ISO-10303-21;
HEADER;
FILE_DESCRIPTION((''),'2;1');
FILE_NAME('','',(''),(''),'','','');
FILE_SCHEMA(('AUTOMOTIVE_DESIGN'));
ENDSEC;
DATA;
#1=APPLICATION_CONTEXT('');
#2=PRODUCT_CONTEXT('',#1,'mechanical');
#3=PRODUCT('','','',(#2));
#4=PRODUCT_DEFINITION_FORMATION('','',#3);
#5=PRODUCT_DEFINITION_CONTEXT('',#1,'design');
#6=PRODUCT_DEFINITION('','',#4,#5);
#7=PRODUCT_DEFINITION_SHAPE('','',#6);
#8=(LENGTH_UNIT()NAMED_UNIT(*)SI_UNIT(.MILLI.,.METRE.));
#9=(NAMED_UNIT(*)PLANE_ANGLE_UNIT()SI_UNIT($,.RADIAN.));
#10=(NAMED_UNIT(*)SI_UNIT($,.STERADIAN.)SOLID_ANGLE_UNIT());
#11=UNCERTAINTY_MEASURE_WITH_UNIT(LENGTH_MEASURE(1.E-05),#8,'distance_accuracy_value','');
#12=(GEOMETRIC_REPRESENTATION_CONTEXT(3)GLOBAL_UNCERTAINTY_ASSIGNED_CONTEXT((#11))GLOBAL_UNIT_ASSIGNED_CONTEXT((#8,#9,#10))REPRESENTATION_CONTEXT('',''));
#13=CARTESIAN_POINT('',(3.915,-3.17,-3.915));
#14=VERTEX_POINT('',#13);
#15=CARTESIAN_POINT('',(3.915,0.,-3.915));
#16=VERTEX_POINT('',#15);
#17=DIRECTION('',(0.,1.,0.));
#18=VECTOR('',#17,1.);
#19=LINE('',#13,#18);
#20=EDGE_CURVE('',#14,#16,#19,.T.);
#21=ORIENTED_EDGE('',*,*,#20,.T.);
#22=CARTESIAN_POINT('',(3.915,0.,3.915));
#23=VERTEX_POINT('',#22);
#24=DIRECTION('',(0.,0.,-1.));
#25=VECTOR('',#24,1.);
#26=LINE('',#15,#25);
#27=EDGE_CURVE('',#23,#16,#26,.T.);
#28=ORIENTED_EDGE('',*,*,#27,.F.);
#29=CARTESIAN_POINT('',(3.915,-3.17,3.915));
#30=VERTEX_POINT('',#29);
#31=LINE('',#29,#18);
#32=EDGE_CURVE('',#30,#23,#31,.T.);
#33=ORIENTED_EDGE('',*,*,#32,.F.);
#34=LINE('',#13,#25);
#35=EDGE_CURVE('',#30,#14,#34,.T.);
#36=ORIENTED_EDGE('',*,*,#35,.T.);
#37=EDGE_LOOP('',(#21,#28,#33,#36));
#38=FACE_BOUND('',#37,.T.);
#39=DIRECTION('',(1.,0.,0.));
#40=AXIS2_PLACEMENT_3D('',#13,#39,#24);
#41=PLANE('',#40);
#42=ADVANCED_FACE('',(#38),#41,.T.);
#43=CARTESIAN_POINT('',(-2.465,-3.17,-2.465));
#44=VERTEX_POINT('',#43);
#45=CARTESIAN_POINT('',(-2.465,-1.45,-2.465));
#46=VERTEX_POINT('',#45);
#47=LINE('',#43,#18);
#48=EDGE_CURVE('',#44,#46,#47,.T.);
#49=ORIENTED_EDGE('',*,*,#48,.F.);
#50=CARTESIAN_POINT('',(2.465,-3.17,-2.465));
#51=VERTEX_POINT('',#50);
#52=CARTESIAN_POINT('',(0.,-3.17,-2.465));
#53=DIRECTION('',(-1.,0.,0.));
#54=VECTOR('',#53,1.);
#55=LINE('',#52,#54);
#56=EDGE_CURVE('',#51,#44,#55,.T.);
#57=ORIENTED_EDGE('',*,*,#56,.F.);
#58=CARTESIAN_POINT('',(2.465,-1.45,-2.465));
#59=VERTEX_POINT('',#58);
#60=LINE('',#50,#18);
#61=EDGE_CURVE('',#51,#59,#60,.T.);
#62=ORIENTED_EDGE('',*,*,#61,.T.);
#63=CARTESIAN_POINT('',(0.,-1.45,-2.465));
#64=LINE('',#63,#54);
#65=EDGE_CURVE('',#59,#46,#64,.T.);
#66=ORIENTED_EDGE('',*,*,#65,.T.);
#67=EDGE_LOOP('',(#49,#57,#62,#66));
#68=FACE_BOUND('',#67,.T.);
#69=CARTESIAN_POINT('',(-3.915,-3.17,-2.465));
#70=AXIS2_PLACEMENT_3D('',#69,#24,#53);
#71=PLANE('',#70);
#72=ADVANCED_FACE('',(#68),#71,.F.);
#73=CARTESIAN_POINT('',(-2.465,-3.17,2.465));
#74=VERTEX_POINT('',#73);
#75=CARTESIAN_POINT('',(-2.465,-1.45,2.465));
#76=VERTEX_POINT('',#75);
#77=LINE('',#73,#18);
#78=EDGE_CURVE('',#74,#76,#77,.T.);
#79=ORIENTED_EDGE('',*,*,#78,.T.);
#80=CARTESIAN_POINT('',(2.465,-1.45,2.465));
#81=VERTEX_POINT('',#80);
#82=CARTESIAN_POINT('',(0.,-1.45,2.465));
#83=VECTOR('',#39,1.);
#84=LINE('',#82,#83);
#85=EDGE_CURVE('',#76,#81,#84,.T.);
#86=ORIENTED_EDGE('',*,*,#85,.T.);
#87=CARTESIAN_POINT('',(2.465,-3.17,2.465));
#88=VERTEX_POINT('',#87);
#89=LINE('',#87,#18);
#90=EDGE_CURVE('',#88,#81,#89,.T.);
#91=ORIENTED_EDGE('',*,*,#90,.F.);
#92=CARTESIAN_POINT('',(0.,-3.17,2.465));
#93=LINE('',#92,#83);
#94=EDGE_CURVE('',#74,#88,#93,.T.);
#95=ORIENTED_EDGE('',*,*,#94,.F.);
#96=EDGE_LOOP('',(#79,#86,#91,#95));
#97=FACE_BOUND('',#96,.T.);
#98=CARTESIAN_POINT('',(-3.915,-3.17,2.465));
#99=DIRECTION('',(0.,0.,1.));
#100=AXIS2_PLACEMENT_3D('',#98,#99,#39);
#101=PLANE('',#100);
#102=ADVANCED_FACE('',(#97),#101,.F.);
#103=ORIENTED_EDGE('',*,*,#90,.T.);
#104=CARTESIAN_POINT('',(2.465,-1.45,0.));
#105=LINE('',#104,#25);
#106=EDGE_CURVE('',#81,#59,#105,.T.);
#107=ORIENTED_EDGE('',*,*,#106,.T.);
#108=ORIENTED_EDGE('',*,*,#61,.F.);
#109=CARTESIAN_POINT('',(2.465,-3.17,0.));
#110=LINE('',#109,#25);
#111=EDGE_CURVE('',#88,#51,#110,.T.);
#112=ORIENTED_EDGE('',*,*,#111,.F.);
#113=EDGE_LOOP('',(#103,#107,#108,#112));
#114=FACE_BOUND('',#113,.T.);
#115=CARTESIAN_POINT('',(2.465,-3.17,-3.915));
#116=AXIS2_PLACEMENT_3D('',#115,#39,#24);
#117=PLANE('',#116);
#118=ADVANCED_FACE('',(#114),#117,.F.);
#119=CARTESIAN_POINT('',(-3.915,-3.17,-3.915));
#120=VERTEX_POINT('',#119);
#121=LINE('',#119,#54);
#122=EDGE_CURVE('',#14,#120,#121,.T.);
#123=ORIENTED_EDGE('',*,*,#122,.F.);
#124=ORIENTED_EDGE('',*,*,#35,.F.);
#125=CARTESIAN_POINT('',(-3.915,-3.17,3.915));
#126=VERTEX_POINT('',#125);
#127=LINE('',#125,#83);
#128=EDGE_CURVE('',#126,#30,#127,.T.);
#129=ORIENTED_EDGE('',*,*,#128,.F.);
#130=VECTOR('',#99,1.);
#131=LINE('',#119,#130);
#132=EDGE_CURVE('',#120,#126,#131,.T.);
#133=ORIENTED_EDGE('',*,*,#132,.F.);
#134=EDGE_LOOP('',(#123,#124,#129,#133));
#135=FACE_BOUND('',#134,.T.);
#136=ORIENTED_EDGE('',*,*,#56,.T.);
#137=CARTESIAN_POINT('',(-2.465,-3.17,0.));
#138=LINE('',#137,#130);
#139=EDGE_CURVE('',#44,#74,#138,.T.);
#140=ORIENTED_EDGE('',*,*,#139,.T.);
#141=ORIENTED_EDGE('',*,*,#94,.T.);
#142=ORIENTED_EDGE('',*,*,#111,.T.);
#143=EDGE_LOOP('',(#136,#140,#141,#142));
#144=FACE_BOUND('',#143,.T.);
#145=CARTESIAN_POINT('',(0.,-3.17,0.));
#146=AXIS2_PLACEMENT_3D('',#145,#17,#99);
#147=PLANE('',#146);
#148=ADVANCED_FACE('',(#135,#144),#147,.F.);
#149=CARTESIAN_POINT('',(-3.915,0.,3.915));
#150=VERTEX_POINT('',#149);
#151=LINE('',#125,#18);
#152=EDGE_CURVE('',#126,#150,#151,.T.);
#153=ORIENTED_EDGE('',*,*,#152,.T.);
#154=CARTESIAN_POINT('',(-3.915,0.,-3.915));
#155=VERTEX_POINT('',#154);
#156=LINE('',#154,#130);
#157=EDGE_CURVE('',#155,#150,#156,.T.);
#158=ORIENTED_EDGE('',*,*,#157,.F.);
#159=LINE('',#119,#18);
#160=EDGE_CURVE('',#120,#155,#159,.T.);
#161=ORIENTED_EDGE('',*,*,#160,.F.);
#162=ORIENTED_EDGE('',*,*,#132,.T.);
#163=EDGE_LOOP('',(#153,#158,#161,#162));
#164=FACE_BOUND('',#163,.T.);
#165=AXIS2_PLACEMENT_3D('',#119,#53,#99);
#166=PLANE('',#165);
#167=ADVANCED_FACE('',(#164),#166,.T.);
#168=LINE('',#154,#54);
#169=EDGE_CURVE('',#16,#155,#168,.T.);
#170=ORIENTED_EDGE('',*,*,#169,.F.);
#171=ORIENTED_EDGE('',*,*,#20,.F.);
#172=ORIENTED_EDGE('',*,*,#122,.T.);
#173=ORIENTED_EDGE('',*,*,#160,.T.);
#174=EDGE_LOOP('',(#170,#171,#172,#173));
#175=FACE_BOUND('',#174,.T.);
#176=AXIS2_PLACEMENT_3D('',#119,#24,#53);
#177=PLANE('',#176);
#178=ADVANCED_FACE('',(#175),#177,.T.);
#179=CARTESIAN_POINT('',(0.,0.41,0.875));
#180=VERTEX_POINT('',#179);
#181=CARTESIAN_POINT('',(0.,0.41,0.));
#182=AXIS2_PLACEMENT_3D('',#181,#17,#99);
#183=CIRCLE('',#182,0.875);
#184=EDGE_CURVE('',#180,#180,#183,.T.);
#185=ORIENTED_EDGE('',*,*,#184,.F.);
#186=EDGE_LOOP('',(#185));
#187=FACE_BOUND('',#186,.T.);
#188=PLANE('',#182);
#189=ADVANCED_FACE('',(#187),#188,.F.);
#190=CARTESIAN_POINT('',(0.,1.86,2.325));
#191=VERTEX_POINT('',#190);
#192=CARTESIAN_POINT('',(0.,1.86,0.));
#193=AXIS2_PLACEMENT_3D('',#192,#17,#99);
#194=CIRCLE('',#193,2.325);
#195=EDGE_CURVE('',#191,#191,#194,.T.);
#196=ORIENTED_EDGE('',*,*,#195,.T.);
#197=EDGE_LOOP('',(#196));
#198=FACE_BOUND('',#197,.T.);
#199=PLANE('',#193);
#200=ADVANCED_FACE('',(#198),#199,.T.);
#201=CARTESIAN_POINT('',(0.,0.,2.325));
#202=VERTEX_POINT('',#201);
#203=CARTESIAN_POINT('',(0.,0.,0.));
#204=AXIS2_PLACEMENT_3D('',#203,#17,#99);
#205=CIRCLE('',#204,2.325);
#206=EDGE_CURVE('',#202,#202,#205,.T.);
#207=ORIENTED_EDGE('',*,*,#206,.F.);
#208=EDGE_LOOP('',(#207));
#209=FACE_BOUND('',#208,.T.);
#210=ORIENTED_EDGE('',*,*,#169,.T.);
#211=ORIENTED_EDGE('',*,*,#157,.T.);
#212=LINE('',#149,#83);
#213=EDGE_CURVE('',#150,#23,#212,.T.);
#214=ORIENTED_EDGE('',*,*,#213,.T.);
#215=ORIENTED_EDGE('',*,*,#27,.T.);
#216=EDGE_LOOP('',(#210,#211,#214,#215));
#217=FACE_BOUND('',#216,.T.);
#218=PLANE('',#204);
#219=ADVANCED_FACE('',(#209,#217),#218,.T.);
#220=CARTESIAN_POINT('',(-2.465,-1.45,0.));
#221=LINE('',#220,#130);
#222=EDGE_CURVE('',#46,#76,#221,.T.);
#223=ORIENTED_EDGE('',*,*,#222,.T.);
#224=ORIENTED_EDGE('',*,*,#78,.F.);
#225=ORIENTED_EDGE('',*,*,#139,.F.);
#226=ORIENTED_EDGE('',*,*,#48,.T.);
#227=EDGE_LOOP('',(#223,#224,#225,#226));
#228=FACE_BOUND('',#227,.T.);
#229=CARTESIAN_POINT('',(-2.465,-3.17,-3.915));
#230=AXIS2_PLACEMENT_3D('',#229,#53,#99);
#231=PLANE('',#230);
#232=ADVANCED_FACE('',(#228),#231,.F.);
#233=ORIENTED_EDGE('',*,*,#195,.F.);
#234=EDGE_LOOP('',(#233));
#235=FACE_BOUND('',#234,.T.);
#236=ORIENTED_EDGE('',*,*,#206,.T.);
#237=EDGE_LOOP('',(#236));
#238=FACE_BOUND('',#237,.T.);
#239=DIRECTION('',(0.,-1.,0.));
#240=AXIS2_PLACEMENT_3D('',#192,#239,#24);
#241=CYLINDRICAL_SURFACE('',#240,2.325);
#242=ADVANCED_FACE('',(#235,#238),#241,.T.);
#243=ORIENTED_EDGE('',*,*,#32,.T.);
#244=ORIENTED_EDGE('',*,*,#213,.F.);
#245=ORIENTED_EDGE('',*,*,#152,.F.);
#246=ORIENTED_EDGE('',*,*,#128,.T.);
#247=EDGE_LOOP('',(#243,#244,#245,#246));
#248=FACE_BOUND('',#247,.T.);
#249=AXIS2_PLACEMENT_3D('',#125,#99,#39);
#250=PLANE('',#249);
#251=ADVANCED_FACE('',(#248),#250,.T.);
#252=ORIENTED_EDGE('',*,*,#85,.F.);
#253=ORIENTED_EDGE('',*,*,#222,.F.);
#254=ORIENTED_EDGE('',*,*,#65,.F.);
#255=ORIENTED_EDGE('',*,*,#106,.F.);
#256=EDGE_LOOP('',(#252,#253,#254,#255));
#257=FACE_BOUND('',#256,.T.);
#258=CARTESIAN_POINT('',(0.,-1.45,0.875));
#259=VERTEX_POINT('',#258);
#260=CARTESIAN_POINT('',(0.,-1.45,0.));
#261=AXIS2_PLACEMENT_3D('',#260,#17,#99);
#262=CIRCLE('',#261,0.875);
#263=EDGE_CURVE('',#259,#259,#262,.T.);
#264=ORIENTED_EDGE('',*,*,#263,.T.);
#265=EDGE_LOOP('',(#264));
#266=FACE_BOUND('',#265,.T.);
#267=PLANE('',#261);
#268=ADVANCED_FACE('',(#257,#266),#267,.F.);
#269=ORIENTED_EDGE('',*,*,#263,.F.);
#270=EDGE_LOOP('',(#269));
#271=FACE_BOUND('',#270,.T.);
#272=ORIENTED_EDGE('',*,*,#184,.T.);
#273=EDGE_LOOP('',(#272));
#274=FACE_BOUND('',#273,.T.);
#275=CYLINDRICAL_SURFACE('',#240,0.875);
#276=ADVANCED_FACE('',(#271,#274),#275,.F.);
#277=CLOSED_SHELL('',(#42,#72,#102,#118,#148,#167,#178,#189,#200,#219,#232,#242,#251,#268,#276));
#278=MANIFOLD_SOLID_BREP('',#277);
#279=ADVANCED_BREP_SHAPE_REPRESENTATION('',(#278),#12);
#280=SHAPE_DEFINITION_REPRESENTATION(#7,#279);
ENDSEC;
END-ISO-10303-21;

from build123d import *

# Parameters (mm, degrees)
SKETCH1_W           = 7.83
SKETCH1_H           = 7.83
BOSS_EXTRUDE1_DEPTH = 3.17
SKETCH2_R           = 2.325
BOSS_EXTRUDE2_DEPTH = 1.86
SHELL2_T            = -1.45


with BuildPart() as part:
    # Sketch1 → Boss-Extrude1 (new body)
    with BuildSketch(Plane(origin=(0, 0, 0), x_dir=(1, 0, 0), z_dir=(0, 1, 0))):
        Rectangle(SKETCH1_W, SKETCH1_H)
    extrude(amount=-BOSS_EXTRUDE1_DEPTH)

    # Sketch2 → Boss-Extrude2 (add)
    with BuildSketch(Plane(origin=(0, 0, 0), x_dir=(1, 0, 0), z_dir=(0, 1, 0))):
        with Locations(Location((0, 0, 0), (0, 0, 270))):
            Circle(SKETCH2_R)
    extrude(amount=BOSS_EXTRUDE2_DEPTH)

    # Shell2
    shell2_openings = [part.faces().sort_by_distance(p)[0] for p in [
        (0, -3.17, 0),
    ]]
    offset(amount=SHELL2_T, openings=shell2_openings, kind=Kind.INTERSECTION)


solid = part.part
